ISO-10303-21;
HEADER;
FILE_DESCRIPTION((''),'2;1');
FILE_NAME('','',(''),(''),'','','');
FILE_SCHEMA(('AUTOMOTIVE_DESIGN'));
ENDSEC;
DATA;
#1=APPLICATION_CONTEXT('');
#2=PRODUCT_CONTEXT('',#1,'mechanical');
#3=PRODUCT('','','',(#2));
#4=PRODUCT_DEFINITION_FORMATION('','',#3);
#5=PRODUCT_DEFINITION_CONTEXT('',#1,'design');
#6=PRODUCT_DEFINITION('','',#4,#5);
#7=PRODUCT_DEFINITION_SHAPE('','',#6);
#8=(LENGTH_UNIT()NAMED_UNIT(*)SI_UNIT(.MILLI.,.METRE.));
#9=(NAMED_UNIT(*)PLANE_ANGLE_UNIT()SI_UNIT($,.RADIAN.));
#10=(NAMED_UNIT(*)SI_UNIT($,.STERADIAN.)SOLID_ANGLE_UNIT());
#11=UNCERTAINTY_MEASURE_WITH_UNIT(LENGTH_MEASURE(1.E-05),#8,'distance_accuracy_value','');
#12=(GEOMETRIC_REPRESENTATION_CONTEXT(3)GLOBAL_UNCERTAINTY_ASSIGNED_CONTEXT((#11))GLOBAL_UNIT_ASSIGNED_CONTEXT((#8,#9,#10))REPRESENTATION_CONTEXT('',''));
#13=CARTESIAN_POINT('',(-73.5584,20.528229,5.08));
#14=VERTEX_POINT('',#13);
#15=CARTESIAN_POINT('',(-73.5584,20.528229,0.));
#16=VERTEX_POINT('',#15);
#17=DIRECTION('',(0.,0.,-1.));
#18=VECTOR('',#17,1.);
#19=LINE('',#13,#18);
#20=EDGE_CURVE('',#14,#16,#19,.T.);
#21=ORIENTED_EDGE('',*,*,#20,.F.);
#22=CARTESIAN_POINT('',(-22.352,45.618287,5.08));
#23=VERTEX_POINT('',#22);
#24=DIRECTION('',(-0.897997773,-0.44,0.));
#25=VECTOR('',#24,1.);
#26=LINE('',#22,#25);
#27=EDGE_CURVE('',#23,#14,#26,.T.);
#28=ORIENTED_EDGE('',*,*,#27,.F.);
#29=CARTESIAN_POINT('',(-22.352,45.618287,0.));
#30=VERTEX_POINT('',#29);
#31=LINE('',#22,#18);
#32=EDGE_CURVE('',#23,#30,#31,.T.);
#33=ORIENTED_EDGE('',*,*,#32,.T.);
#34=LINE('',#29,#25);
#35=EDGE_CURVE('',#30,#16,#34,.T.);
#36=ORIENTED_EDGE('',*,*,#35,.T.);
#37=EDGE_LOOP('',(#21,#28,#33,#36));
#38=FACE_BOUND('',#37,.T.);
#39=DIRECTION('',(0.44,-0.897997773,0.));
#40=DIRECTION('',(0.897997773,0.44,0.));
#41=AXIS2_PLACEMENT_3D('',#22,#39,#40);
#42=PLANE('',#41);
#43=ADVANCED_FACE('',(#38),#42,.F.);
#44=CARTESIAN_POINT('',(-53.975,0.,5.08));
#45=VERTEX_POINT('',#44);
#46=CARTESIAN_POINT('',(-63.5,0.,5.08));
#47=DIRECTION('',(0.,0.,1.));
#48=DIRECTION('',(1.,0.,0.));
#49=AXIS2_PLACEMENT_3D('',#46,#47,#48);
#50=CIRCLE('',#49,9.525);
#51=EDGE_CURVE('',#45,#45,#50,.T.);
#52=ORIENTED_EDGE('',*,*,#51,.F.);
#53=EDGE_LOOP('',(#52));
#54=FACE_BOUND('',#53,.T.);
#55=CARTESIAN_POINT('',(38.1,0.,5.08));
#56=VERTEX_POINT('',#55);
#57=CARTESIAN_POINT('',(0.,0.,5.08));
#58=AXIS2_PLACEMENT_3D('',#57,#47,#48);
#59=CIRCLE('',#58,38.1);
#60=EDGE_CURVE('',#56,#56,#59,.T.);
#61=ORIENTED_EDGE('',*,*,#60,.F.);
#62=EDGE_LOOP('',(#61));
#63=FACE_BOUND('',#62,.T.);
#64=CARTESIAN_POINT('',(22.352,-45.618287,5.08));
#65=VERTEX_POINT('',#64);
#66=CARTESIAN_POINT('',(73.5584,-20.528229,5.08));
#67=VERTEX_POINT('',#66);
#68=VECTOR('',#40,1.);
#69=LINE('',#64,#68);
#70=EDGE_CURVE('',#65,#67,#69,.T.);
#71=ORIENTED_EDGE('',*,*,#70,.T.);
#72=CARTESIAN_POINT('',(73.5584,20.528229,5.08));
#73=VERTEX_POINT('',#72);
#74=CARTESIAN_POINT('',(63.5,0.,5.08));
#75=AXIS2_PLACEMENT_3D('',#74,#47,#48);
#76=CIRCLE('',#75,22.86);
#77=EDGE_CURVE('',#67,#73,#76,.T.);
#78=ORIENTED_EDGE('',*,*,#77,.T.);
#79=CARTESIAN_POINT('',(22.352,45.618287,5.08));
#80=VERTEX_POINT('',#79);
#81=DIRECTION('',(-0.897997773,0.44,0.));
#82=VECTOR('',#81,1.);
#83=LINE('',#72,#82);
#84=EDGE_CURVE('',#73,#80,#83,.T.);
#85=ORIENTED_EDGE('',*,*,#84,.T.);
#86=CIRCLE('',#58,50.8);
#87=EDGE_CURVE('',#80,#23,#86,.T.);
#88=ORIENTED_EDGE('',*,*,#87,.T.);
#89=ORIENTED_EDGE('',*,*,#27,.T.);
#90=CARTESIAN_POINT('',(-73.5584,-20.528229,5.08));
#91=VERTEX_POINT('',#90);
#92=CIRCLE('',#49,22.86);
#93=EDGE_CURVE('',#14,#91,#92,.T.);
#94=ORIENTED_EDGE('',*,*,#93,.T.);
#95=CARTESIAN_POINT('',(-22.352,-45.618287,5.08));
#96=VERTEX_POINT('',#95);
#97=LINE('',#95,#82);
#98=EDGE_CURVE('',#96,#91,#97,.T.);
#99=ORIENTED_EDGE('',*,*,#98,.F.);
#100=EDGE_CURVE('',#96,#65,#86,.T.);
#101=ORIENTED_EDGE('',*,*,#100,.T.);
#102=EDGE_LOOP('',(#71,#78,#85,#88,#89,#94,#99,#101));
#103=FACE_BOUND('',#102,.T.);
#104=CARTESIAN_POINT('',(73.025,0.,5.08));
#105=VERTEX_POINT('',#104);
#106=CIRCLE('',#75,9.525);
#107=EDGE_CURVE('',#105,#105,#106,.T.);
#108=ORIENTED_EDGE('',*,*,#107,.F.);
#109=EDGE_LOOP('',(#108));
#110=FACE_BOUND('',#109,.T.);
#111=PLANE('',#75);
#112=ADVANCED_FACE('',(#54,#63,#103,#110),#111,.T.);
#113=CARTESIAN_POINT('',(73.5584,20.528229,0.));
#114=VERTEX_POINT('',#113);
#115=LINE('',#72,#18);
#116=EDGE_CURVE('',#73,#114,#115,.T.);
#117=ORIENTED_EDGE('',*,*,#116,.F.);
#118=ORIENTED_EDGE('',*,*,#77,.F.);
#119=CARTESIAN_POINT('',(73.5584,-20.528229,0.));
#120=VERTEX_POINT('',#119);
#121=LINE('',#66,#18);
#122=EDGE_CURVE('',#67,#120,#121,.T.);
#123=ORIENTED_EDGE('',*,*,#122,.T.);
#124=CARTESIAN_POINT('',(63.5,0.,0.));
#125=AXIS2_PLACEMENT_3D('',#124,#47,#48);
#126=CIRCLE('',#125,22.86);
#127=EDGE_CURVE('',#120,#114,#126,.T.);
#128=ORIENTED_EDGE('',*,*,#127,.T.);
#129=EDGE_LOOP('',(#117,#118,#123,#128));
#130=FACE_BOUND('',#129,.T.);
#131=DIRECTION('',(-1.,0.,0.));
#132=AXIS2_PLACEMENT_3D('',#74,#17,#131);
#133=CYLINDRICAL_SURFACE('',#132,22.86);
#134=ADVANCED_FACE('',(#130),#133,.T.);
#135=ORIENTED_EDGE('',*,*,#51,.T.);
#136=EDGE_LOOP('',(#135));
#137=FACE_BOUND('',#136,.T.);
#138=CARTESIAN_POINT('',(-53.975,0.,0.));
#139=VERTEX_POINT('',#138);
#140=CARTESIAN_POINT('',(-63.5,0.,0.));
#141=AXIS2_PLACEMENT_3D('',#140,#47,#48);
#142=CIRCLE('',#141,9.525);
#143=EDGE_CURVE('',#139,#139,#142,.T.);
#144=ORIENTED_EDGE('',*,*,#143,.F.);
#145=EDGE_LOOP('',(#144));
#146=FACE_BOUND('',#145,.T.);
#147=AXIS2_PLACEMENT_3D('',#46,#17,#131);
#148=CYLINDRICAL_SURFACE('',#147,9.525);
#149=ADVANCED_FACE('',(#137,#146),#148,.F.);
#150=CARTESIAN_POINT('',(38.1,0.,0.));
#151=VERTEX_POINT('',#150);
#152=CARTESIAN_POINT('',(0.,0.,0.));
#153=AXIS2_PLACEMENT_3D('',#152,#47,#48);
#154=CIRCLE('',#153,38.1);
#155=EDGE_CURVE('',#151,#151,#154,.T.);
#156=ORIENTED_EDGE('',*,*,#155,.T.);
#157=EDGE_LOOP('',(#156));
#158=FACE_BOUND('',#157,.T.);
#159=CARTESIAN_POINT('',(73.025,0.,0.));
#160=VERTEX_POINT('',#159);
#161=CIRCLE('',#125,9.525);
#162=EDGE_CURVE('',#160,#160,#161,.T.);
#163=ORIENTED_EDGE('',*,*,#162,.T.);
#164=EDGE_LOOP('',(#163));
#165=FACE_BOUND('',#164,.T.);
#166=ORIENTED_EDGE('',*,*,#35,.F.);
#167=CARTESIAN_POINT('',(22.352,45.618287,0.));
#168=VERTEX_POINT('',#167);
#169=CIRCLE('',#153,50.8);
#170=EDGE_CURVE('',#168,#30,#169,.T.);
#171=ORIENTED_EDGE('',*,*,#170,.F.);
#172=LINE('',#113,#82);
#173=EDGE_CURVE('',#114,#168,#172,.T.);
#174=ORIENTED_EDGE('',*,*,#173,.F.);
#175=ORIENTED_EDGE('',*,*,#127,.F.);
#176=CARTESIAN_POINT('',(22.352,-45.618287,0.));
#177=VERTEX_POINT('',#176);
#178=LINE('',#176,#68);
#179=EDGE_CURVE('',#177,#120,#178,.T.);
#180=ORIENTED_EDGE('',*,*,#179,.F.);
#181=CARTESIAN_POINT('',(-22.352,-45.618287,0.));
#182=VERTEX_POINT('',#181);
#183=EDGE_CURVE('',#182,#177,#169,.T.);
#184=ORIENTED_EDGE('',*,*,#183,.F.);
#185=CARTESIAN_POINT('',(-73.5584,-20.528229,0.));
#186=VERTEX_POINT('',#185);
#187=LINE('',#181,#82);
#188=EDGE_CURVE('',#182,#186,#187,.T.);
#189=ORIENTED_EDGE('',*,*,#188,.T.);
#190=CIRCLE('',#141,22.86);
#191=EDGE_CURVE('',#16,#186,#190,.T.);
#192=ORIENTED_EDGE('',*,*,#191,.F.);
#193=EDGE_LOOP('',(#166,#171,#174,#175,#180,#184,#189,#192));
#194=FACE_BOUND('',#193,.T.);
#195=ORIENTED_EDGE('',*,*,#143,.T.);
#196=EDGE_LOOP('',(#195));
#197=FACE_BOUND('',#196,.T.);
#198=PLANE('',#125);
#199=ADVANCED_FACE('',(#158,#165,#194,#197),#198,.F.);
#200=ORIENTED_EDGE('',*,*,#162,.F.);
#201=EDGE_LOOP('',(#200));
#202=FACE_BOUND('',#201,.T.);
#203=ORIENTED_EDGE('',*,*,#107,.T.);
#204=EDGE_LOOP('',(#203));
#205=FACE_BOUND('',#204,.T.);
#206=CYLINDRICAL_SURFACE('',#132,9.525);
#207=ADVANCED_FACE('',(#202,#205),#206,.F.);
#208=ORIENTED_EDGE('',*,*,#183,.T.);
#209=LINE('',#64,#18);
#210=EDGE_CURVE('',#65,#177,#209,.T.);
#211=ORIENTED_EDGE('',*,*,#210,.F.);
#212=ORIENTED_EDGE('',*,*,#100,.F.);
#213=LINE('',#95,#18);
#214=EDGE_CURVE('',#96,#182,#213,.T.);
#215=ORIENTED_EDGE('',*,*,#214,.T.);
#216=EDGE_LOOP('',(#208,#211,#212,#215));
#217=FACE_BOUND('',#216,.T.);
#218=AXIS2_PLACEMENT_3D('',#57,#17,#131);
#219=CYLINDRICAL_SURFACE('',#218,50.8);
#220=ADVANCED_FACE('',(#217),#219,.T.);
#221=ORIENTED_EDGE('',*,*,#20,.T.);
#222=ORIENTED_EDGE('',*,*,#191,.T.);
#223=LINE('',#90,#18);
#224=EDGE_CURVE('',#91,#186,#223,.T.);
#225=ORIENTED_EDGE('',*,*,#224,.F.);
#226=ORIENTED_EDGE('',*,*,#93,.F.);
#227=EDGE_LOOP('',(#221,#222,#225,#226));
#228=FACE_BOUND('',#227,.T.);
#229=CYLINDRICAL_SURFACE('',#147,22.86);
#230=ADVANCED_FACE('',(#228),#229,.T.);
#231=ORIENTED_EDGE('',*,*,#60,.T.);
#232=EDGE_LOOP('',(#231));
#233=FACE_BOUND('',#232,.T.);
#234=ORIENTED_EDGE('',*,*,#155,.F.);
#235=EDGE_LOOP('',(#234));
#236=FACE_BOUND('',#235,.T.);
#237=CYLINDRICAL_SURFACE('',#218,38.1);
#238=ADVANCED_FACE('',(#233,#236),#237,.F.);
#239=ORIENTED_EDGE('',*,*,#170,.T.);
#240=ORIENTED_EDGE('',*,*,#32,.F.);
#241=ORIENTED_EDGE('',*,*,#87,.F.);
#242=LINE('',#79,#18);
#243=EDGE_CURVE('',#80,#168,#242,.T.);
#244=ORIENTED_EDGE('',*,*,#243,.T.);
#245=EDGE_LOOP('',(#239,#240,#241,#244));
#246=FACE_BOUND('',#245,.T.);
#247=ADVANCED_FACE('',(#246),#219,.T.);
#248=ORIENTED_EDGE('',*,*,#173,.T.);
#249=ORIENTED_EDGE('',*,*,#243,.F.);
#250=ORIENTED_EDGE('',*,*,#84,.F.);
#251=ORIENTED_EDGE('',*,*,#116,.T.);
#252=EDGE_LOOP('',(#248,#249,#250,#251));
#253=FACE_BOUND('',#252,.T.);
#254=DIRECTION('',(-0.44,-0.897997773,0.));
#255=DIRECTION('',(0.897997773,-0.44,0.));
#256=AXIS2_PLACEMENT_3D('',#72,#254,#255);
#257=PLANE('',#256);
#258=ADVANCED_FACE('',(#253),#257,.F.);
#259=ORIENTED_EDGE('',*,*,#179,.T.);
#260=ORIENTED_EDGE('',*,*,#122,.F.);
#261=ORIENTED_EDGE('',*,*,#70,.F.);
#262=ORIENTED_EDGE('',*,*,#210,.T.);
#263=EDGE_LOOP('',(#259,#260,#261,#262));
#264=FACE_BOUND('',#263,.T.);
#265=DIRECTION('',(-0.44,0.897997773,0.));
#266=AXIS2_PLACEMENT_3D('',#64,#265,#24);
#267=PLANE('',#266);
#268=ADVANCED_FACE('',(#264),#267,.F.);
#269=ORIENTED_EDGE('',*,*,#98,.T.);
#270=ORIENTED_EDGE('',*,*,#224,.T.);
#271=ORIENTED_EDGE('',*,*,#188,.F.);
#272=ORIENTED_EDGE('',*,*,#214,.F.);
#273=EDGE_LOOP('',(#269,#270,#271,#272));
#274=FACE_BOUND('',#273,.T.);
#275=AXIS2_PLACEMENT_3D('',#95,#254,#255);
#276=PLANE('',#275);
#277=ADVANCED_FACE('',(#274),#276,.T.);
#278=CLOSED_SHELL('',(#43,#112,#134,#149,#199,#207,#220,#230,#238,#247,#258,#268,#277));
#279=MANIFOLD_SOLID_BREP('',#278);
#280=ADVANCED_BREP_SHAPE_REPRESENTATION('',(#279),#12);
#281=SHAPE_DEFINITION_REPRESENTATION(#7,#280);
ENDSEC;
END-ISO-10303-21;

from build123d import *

# Parameters (mm, degrees)
SKETCH1_R           = 38.1
SKETCH1_R_2         = 9.525
BOSS_EXTRUDE1_DEPTH = 5.08


with BuildPart() as part:
    # Sketch1 → Boss-Extrude1 (new body)
    with BuildSketch(Plane.XY):
        with BuildLine():
            Line((-22.352, 45.61828686), (-73.5584, 20.528229087))
            ThreePointArc((-73.5584, 20.528229087), (-86.36, 0), (-73.5584, -20.528229087))
            Line((-73.5584, -20.528229087), (-22.352, -45.61828686))
            ThreePointArc((-22.352, -45.61828686), (0, -50.8), (22.352, -45.61828686))
            Line((22.352, -45.61828686), (73.5584, -20.528229087))
            ThreePointArc((73.5584, -20.528229087), (86.36, 0), (73.5584, 20.528229087))
            Line((73.5584, 20.528229087), (22.352, 45.61828686))
            ThreePointArc((22.352, 45.61828686), (0, 50.8), (-22.352, 45.61828686))
        make_face()
        Circle(SKETCH1_R, mode=Mode.SUBTRACT)
        with Locations((-63.5, 0)):
            Circle(SKETCH1_R_2, mode=Mode.SUBTRACT)
        with Locations((63.5, 0)):
            Circle(SKETCH1_R_2, mode=Mode.SUBTRACT)
    extrude(amount=BOSS_EXTRUDE1_DEPTH)


solid = part.part
